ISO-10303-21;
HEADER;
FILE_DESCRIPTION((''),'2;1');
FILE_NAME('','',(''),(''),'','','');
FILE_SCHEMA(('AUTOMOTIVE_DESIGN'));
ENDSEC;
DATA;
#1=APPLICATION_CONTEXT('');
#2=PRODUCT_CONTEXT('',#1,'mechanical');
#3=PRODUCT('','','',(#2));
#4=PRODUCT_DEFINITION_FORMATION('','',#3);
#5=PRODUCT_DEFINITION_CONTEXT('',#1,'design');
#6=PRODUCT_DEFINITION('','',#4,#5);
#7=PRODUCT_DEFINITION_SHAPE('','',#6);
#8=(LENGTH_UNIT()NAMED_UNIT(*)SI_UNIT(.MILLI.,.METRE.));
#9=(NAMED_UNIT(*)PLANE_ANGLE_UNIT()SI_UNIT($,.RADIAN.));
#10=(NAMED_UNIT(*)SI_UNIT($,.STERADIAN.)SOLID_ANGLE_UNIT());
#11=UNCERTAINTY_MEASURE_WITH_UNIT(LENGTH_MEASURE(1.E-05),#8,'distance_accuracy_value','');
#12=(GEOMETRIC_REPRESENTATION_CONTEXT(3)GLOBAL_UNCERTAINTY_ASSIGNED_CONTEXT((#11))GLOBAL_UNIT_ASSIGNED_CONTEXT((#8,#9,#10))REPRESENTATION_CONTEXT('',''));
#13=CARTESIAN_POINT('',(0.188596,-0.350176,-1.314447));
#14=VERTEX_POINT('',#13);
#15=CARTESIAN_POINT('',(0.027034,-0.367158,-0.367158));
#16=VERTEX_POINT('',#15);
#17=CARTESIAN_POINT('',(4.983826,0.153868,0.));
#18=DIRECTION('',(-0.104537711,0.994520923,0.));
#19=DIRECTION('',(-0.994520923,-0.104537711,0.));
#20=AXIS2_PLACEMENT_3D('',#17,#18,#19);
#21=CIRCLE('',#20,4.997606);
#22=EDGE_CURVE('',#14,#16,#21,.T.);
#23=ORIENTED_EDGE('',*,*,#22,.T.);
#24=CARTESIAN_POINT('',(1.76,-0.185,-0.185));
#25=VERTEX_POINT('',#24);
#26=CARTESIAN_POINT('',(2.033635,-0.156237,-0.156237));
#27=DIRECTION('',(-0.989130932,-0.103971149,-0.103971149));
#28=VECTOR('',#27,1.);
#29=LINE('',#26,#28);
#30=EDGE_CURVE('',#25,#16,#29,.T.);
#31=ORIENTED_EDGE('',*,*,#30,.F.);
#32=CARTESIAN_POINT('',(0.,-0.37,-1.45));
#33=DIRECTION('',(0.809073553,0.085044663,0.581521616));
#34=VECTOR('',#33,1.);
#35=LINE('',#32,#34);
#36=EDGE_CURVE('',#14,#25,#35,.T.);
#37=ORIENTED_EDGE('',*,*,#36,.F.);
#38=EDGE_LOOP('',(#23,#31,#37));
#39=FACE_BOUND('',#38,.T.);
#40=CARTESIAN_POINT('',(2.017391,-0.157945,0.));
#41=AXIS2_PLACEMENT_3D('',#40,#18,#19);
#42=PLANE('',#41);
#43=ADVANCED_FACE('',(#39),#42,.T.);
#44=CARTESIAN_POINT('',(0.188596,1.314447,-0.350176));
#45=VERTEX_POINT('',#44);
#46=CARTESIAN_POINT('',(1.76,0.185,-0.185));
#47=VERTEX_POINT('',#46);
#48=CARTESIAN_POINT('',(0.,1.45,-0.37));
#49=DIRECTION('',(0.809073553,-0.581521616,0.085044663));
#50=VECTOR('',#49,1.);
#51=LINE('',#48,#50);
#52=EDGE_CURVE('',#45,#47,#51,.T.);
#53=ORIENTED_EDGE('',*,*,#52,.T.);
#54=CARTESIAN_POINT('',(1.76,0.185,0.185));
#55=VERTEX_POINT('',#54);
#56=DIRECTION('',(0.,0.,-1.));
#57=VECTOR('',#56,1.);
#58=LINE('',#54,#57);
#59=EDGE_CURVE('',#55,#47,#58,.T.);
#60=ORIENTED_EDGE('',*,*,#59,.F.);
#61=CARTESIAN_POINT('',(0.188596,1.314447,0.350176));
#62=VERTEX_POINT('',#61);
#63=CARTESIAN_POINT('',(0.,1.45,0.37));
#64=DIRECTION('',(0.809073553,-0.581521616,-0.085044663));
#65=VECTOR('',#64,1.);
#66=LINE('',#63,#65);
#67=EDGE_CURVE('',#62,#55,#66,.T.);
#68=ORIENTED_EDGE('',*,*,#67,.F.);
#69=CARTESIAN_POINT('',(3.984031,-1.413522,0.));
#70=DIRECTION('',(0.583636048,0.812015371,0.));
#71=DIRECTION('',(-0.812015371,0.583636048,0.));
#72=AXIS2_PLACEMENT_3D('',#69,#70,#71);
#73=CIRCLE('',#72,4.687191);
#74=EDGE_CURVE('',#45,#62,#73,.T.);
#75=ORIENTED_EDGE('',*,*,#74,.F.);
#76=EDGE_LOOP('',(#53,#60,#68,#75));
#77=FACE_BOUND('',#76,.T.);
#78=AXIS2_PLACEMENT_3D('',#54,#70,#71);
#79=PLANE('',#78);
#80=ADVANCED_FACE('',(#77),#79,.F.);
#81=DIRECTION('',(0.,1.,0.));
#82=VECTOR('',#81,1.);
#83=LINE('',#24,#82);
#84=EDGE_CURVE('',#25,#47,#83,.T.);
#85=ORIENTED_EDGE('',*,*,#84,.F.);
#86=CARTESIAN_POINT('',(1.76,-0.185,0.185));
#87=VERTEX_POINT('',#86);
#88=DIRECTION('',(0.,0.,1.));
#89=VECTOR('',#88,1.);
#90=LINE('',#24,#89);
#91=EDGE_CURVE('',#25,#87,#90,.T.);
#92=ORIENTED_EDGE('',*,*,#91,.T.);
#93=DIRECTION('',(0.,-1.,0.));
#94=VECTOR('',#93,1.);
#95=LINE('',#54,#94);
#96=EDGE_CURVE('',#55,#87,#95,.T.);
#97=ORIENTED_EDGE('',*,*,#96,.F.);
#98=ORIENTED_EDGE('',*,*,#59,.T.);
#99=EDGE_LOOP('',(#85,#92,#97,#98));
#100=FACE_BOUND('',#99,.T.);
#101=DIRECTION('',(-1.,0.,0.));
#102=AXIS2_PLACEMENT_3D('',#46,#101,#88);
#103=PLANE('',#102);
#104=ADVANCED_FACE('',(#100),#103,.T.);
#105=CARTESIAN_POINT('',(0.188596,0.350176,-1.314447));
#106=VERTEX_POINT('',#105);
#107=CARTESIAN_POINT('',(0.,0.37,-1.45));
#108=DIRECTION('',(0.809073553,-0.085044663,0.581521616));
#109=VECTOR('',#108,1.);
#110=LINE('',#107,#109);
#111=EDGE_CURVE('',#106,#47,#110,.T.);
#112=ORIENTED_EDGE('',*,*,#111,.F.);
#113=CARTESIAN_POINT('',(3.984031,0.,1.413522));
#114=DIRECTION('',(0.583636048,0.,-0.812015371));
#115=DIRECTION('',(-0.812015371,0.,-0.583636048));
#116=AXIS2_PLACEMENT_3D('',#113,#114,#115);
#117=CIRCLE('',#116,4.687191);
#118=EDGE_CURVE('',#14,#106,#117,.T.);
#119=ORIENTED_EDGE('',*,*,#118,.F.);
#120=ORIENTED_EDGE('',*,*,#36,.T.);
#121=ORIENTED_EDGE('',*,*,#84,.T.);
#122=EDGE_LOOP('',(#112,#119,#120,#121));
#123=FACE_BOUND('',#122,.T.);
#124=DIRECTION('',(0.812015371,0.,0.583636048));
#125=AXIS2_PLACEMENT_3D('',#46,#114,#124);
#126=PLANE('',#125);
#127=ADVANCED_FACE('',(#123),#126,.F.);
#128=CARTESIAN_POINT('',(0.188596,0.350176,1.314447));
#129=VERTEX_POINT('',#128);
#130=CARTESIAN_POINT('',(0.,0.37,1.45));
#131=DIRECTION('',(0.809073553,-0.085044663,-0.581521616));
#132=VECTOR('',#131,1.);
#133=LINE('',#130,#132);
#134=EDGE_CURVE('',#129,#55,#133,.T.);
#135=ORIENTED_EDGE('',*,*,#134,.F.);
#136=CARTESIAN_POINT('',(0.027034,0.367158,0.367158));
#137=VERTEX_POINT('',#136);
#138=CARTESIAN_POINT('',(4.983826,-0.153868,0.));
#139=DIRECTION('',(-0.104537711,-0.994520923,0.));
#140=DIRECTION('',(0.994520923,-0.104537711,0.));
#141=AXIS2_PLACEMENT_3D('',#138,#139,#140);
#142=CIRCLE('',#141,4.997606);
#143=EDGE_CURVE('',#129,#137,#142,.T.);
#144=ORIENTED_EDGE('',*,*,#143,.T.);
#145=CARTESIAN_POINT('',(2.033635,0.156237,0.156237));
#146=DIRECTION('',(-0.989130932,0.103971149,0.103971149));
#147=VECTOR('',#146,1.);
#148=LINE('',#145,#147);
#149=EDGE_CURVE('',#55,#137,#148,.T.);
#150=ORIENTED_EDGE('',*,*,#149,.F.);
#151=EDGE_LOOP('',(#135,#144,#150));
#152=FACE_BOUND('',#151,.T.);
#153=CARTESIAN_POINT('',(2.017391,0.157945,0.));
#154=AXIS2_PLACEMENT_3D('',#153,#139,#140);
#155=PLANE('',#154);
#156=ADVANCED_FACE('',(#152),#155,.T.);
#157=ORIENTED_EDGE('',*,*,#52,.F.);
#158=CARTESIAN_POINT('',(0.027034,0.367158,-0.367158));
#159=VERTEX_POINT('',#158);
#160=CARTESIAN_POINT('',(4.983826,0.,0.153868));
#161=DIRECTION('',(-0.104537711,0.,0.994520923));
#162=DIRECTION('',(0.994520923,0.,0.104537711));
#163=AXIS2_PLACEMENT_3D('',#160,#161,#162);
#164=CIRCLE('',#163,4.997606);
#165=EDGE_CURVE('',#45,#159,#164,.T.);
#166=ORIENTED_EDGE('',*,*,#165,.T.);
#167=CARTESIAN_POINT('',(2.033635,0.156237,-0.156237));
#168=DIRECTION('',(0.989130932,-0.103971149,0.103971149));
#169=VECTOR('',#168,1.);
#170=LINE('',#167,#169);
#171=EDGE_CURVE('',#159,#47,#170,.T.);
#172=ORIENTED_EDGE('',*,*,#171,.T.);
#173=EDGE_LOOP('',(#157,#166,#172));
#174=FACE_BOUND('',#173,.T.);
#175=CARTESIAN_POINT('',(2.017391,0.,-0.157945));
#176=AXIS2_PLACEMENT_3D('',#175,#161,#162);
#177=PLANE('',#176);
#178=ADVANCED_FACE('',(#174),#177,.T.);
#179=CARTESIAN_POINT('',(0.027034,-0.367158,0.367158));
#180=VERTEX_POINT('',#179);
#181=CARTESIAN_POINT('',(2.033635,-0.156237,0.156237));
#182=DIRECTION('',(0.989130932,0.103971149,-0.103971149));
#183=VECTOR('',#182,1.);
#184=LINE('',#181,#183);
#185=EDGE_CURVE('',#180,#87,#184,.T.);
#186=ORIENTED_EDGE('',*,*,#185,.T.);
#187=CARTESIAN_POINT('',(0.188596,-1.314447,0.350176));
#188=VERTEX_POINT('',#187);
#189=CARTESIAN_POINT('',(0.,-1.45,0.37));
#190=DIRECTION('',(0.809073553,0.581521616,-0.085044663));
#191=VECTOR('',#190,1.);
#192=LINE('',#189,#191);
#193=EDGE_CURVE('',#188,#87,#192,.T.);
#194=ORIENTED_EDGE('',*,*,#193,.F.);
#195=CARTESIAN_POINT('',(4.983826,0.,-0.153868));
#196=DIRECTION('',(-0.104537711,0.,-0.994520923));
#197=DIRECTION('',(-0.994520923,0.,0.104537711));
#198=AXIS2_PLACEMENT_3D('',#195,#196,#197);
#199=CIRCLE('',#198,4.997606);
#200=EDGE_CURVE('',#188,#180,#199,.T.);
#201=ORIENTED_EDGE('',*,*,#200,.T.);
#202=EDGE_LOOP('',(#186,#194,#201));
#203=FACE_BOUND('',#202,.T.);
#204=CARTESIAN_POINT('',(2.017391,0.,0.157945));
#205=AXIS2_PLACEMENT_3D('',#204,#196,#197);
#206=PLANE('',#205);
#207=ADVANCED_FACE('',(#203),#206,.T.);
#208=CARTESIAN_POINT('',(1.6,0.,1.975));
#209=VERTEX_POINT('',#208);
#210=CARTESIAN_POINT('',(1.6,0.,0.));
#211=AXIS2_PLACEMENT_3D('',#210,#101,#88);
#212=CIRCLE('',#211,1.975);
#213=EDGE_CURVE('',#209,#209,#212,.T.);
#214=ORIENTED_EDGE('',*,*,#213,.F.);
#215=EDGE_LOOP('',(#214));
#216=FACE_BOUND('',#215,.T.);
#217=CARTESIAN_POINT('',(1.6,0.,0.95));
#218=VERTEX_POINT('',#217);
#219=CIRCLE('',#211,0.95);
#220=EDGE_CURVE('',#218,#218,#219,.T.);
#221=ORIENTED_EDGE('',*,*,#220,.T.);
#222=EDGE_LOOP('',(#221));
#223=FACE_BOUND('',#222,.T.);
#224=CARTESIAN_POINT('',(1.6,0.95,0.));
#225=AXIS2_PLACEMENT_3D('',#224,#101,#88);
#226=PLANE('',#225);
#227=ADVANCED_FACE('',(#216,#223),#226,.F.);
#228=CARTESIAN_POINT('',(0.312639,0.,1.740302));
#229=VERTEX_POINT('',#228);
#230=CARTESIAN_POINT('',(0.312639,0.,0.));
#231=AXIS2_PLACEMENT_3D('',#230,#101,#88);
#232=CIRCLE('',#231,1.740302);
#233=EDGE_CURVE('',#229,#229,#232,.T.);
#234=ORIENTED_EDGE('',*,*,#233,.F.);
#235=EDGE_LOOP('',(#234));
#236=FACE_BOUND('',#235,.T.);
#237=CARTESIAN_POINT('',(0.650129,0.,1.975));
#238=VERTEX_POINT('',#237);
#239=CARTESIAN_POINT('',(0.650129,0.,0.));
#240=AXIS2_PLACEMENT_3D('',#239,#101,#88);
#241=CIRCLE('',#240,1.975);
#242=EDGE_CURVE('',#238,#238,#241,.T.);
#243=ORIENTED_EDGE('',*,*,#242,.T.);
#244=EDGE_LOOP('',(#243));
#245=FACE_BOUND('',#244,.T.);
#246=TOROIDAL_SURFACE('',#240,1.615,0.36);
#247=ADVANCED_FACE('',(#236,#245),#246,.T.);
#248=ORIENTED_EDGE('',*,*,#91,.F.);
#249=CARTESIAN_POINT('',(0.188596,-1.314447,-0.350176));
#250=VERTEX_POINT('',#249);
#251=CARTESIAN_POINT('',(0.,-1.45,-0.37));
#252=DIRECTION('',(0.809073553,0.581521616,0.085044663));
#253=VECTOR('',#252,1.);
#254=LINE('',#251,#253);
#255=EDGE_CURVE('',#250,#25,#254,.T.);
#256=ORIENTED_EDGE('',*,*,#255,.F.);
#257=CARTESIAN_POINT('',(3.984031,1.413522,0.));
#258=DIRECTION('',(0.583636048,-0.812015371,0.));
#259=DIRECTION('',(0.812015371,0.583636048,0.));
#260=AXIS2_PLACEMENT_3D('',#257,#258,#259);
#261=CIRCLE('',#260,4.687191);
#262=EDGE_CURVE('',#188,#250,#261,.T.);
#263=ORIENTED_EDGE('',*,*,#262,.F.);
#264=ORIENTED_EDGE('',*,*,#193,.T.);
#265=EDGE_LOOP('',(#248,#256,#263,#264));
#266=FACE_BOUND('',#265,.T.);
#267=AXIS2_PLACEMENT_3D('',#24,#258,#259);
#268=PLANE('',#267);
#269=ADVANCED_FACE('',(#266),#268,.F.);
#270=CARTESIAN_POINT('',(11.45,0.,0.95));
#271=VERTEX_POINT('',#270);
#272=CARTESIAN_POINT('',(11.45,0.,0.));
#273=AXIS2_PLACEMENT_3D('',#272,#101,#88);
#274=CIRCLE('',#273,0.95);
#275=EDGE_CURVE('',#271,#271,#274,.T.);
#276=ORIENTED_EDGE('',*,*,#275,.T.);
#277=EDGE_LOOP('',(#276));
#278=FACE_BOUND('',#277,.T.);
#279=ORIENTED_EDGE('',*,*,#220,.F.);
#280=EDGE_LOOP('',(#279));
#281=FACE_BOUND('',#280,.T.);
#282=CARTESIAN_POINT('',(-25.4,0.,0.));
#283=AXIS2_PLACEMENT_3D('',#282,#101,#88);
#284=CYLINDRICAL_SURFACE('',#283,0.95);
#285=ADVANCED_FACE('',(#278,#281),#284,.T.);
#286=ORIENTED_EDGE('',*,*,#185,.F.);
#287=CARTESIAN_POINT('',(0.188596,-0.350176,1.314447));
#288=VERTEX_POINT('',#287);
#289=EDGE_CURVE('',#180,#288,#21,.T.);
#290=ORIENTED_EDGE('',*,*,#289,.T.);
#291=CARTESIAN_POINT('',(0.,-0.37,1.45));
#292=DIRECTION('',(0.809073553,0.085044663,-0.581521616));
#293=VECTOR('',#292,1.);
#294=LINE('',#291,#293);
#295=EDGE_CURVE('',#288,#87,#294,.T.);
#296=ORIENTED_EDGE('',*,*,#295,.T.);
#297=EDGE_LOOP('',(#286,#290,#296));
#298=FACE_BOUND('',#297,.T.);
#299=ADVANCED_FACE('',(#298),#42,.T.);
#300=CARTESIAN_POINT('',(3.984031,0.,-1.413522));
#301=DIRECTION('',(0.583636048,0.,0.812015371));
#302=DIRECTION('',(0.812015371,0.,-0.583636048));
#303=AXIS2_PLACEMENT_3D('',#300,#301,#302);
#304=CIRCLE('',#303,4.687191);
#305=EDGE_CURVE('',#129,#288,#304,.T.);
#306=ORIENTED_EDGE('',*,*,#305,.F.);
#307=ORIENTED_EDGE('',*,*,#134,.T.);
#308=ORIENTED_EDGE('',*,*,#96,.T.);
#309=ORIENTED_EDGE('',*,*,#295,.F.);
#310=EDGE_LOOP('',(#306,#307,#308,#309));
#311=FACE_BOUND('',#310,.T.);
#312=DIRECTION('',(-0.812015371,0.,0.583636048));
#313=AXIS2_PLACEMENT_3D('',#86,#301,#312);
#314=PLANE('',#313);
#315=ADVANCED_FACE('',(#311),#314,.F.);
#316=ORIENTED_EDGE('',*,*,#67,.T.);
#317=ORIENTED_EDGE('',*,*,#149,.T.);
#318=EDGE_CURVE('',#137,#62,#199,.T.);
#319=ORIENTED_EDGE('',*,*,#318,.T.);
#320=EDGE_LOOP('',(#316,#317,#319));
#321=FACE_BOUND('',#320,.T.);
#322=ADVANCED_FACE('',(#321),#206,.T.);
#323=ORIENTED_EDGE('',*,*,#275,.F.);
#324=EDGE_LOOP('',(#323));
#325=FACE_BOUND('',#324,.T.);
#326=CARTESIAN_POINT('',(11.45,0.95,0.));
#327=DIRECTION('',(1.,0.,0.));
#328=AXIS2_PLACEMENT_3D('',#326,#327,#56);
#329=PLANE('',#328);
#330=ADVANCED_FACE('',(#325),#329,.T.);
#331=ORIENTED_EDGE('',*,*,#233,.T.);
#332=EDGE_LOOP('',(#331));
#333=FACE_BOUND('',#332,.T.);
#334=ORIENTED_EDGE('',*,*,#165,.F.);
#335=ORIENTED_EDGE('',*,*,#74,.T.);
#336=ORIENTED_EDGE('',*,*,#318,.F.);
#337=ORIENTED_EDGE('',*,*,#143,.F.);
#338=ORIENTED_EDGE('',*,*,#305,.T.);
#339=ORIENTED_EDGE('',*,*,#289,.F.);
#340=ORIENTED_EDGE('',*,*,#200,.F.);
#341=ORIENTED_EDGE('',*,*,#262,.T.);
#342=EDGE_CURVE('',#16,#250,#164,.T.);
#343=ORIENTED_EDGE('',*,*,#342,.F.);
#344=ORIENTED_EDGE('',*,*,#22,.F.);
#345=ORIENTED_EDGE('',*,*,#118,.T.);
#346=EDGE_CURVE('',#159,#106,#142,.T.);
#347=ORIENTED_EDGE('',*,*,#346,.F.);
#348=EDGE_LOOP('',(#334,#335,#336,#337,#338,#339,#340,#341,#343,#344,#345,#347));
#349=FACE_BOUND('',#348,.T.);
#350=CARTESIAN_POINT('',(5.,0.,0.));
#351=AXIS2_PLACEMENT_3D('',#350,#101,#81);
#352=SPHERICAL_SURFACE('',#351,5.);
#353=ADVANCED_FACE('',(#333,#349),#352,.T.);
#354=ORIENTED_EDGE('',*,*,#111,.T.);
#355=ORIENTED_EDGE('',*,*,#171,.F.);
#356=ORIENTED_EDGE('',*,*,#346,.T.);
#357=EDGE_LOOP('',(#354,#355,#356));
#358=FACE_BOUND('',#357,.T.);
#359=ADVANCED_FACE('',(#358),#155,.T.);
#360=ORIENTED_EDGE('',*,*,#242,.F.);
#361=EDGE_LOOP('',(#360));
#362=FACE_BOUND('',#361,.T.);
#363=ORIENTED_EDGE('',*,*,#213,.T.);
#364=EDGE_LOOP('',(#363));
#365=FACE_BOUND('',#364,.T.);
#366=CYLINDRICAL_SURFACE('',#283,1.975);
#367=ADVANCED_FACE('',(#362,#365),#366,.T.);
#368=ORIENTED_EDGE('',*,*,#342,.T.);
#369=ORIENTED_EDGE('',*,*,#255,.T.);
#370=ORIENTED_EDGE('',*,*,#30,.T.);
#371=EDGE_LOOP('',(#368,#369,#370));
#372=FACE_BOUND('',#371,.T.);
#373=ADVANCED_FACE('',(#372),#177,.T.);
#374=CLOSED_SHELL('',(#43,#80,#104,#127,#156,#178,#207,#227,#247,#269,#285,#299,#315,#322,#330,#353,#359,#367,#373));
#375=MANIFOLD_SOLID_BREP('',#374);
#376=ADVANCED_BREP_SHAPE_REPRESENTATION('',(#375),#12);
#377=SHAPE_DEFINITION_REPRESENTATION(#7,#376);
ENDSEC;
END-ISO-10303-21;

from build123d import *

# Parameters (mm, degrees)
SKETCH3_W         = 0.74
SKETCH3_H         = 2.9
SKETCH4_W         = 0.37
SKETCH4_H         = 0.37
CIRPATTERN1_COUNT = 2
CIRPATTERN1_ANGLE = 90


with BuildPart() as part:
    # BodySke → Base-Revolve (revolve)
    with BuildSketch(Plane.XY):
        with BuildLine():
            Line((1.6, 0.95), (1.6, 1.975))
            Line((1.6, 1.975), (0.650129312, 1.975))
            ThreePointArc((0.650129312, 1.975), (0.44459175, 1.910557626), (0.312639345, 1.740301724))
            ThreePointArc((0.312639345, 1.740301724), (0.078780473, 0.884080518), (0, 0))
            Line((0, 0), (11.45, 0))
            Line((11.45, 0), (11.45, 0.95))
            Line((11.45, 0.95), (1.6, 0.95))
        make_face()
    revolve(axis=Axis((-25.4, 0, 0), (1, 0, 0)))

    # Sketch3 → Cut-Loft1 section 0
    with BuildSketch(Plane(origin=(0, 0, 0), x_dir=(0, 0, -1), z_dir=(1, 0, 0))):
        Rectangle(SKETCH3_W, SKETCH3_H)
    # Sketch4 → Cut-Loft1 section 1
    with BuildSketch(Plane(origin=(1.76, 0, 0), x_dir=(0, 0, -1), z_dir=(1, 0, 0))):
        Rectangle(SKETCH4_W, SKETCH4_H)
    cut_loft1 = loft(mode=Mode.SUBTRACT)

    # CirPattern1: Cut-Loft1 ×2 about axis
    cirpattern1_axis = Axis((0, 0, 0), (1, 0, 0))
    for i in range(1, CIRPATTERN1_COUNT):
        add(cut_loft1.rotate(cirpattern1_axis, i * CIRPATTERN1_ANGLE / (CIRPATTERN1_COUNT - 1)), mode=Mode.SUBTRACT)


solid = part.part
